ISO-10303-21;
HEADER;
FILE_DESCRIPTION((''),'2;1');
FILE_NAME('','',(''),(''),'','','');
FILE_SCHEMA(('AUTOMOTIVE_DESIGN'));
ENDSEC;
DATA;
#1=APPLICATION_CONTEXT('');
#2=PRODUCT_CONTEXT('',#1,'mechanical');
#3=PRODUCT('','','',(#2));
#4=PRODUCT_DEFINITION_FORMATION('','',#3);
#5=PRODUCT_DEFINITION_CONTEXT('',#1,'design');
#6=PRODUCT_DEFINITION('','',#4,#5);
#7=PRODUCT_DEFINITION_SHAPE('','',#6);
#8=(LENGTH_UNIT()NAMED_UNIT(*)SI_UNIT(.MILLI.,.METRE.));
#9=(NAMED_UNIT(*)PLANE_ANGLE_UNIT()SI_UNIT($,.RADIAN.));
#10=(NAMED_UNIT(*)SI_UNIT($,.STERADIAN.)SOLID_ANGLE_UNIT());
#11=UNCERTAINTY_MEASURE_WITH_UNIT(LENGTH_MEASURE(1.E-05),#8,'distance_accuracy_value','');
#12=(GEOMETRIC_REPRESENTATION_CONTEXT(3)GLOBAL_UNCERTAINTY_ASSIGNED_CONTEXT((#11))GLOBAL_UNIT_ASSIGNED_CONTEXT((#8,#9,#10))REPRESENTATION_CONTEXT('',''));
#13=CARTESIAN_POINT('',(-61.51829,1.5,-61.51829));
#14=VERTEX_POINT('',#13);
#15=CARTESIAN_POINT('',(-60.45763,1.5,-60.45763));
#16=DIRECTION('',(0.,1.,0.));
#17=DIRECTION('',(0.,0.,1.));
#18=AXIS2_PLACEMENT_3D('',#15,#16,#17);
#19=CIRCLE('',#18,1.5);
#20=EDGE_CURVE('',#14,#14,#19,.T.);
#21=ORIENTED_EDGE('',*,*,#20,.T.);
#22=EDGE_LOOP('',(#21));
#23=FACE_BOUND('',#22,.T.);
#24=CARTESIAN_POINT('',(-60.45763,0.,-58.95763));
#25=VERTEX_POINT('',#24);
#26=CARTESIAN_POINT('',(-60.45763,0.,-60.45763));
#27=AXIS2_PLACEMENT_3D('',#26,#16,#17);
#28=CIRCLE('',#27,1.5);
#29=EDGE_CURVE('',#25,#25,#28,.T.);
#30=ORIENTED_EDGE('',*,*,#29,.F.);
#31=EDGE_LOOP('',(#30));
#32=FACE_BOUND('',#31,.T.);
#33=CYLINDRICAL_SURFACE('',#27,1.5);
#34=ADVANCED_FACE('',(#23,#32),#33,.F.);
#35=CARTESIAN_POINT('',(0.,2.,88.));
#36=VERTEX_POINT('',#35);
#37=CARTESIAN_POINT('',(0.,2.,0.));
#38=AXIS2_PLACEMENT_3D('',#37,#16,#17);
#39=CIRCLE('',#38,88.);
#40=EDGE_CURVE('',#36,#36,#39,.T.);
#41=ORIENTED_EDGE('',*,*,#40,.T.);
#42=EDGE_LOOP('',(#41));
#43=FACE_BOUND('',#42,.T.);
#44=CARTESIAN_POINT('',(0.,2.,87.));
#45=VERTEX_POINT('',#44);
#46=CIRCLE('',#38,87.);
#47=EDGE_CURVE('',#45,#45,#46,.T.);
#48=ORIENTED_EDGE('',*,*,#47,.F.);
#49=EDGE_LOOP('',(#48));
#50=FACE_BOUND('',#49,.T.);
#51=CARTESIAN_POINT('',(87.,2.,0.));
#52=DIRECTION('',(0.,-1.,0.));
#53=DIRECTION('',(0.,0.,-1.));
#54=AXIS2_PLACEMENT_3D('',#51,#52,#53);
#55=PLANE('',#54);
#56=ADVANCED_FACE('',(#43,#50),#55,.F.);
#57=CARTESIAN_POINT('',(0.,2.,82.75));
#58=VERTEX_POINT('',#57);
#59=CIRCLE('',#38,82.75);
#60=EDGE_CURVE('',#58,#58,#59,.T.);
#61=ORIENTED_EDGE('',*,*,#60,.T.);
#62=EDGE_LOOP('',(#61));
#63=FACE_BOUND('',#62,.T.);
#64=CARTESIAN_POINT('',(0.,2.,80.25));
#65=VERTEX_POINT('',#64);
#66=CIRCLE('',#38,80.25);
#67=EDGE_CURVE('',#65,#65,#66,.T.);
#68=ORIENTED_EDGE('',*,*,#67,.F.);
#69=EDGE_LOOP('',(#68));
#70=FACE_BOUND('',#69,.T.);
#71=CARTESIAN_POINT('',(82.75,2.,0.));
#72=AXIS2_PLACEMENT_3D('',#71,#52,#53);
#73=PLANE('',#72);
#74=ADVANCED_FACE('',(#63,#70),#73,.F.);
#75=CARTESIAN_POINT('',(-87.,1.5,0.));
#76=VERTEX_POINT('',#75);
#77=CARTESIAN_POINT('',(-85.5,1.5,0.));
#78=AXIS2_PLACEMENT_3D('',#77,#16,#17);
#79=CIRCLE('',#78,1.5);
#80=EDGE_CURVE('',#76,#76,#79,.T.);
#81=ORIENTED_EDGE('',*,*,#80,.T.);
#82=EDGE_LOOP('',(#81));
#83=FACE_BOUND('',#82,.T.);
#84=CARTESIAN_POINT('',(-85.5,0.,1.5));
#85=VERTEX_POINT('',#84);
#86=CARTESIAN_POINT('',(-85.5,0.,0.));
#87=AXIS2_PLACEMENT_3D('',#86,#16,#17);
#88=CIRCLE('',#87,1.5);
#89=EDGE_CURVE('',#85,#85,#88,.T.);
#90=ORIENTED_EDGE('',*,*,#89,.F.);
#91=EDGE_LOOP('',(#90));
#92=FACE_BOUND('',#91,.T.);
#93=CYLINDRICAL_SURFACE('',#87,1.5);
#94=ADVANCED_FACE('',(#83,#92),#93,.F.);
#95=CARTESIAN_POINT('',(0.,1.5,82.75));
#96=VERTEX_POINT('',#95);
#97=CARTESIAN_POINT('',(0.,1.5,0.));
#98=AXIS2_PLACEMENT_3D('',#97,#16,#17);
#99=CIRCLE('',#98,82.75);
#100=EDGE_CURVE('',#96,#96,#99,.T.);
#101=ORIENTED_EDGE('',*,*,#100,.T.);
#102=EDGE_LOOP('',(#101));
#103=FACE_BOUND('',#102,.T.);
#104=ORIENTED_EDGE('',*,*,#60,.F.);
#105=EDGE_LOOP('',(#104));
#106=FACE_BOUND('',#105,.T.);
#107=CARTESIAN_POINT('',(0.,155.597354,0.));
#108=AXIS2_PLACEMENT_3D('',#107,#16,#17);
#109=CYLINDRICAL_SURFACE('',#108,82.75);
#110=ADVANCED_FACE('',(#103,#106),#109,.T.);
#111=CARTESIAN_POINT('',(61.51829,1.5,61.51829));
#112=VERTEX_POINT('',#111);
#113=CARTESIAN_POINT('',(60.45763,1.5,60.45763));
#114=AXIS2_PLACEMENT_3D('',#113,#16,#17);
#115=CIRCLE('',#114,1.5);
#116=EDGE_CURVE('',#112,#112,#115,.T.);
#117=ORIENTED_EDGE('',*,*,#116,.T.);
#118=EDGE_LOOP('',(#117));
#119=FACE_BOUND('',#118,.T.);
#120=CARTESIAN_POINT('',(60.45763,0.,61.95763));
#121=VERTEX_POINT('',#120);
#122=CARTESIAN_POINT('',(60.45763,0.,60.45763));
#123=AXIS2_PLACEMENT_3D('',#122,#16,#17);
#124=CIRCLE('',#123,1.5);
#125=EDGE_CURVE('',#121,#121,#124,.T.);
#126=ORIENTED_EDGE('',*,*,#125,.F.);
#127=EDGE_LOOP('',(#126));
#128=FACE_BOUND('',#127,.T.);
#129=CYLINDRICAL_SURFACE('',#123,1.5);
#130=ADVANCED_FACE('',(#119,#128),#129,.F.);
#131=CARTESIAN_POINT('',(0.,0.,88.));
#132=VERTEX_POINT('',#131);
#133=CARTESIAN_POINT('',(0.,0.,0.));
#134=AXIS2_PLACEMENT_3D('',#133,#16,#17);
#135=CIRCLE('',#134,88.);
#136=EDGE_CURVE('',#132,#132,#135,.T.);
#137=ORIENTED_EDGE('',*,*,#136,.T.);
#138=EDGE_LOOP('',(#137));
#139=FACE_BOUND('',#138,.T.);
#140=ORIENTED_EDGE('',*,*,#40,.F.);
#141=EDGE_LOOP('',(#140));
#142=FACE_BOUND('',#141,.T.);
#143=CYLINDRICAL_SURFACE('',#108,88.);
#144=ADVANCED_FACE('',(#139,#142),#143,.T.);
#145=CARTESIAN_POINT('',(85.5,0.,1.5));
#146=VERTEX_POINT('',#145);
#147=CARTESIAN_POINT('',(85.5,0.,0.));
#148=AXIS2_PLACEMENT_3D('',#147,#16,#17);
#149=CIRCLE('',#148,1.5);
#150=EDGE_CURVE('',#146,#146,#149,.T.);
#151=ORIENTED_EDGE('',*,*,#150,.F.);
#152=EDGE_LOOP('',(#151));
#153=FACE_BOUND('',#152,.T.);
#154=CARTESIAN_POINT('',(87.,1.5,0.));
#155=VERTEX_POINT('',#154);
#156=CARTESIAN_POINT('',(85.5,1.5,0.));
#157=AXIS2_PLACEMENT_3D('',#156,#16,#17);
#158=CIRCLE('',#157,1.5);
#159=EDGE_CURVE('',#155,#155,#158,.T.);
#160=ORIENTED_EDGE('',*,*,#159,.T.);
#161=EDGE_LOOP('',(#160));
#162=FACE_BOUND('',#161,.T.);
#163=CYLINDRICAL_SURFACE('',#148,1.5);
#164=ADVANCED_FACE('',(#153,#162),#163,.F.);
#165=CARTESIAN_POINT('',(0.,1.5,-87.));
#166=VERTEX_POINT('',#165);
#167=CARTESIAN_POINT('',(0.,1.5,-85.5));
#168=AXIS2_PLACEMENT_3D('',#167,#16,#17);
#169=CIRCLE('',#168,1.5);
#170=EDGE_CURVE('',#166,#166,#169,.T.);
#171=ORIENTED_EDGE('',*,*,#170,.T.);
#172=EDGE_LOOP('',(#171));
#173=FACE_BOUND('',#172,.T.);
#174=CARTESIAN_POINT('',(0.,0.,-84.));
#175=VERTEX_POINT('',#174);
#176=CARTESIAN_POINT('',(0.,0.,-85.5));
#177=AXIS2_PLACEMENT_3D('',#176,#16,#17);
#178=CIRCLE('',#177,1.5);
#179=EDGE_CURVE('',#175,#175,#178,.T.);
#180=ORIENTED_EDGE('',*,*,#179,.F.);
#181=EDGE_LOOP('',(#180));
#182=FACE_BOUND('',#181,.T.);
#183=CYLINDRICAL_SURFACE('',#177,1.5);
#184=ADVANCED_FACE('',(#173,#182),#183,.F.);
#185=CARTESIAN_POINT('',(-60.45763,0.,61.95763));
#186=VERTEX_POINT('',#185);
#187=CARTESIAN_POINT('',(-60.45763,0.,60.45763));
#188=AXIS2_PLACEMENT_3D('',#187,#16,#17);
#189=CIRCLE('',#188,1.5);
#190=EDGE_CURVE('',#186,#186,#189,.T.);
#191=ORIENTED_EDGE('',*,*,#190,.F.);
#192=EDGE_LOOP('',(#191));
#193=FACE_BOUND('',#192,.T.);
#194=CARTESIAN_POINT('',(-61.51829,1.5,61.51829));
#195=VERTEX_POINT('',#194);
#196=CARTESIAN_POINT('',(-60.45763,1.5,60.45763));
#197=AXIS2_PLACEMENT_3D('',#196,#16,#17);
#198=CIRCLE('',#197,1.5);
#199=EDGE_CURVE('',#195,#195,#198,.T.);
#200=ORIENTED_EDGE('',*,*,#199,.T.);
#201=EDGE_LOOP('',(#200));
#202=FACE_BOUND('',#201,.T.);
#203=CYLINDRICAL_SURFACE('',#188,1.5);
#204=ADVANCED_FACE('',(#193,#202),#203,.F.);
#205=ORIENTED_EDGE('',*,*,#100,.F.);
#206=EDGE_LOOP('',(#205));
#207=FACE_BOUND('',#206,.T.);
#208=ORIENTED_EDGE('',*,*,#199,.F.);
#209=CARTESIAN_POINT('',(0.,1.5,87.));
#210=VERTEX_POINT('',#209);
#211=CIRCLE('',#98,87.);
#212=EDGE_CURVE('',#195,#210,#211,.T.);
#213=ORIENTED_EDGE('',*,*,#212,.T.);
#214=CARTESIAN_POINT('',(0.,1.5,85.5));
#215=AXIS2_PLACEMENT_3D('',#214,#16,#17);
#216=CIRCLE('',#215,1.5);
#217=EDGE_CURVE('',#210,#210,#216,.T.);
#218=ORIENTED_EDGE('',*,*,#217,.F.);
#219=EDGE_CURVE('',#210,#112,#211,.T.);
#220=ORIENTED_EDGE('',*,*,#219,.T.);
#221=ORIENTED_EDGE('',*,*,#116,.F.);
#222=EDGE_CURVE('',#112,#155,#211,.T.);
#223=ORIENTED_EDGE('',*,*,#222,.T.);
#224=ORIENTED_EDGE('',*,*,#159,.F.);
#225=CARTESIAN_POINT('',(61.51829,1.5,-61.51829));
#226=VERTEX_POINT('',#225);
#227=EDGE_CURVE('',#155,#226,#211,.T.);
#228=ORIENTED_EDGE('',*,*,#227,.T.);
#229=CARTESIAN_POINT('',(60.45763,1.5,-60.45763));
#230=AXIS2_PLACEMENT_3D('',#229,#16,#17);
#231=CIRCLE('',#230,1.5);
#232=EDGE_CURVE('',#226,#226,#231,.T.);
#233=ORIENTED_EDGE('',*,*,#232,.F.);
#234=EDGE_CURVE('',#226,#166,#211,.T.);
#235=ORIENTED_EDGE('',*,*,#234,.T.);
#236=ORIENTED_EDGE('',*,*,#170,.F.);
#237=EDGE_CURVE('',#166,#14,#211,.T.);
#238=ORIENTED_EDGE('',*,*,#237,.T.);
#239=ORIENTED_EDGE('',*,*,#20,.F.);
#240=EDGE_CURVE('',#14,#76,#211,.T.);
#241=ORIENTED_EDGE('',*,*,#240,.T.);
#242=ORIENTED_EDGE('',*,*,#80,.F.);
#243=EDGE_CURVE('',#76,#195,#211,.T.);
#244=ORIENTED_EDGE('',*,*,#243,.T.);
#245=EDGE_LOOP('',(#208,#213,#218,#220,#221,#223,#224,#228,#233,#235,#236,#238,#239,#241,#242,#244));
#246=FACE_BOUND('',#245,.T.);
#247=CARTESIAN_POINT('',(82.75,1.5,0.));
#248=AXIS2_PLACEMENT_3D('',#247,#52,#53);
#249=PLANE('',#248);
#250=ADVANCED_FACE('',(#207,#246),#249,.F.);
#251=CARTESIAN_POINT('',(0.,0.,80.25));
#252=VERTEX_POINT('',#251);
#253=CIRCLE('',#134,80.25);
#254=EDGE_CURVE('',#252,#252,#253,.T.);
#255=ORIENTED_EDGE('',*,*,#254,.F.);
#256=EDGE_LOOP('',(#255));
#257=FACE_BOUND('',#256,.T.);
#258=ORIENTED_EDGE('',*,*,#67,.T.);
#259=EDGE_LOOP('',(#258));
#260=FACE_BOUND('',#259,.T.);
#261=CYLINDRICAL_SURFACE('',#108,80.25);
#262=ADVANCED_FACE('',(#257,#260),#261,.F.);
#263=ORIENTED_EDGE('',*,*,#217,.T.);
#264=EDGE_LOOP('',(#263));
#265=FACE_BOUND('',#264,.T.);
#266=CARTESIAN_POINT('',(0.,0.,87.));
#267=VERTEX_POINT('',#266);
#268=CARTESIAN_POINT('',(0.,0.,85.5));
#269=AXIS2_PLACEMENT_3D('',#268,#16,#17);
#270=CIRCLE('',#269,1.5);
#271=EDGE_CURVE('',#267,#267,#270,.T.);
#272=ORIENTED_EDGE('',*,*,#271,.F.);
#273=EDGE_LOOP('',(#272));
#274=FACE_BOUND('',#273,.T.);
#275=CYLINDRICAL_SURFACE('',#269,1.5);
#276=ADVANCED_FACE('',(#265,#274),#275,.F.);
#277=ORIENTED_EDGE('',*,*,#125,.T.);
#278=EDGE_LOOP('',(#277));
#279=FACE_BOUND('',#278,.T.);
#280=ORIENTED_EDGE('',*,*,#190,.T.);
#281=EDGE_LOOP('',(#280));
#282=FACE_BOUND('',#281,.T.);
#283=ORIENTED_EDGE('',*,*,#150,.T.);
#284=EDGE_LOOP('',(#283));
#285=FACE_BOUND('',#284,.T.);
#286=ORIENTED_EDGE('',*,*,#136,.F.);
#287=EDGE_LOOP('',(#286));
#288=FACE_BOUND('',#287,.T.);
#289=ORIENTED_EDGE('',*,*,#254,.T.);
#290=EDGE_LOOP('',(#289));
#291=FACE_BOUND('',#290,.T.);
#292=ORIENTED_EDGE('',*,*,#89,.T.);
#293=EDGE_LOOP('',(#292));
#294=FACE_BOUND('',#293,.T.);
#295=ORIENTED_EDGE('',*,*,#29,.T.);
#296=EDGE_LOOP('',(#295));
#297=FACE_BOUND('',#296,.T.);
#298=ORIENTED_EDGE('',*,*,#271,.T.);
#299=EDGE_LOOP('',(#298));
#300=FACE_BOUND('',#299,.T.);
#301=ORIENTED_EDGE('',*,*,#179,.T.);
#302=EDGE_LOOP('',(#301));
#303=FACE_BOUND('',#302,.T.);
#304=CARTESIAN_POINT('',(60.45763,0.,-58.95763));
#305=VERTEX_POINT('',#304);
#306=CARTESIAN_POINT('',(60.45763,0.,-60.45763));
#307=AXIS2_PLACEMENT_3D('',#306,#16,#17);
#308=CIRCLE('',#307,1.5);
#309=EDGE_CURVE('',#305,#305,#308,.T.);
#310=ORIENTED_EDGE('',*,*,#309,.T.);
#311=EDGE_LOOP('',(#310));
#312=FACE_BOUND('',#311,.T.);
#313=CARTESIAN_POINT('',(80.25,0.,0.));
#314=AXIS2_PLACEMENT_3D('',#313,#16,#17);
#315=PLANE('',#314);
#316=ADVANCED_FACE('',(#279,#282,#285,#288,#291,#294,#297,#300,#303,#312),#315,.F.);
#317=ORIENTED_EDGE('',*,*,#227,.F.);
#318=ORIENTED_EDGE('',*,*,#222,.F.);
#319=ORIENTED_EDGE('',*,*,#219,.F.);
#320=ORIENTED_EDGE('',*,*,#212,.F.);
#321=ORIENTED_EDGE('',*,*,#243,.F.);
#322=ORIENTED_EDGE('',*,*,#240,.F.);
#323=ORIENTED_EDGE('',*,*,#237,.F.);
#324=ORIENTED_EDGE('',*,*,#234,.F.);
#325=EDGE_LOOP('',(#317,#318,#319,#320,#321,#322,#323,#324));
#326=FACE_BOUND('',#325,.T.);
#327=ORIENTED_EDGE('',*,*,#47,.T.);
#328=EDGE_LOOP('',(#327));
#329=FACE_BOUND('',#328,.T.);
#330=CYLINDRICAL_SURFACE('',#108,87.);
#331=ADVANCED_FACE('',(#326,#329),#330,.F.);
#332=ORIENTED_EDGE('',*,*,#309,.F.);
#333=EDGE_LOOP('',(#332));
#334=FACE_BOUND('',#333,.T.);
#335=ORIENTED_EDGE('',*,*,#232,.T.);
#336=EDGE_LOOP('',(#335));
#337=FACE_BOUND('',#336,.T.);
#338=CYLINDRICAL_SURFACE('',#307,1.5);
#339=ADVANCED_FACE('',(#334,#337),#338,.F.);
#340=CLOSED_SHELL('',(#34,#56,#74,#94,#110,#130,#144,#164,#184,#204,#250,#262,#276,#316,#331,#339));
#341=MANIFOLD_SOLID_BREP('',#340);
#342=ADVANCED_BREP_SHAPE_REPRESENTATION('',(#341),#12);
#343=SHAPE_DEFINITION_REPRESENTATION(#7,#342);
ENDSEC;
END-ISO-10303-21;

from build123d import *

# Parameters (mm, degrees)
SKETCH_2_R          = 1.5
CUT_EXTRUDE_1_DEPTH = 125.459832878


with BuildPart() as part:
    # 草图1 → 旋转1 (revolve)
    with BuildSketch(Plane.XY, mode=Mode.PRIVATE) as revolve_1_sk:
        Polygon((80.25, 0), (88, 0), (88, 2), (87, 2), (87, 1.5), (82.75, 1.5), (82.75, 2), (80.25, 2), align=None)
    revolve(revolve_1_sk.sketch.rotate(Axis((0, 155.597353718, 0), (0, -1, 0)), 90), axis=Axis((0, 155.597353718, 0), (0, -1, 0)))

    # 草图2 → 切除-拉伸1 (cut, through all)
    with BuildSketch(Plane(origin=(0, 1.5, 0), x_dir=(1, 0, 0), z_dir=(0, 1, 0))):
        with Locations(Location((0, 85.5, 0), (0, 0, 270))):
            Circle(SKETCH_2_R)
        with Locations(Location((60.457629791, 60.457629791, 0), (0, 0, 270))):
            Circle(SKETCH_2_R)
        with Locations(Location((85.5, 0, 0), (0, 0, 270))):
            Circle(SKETCH_2_R)
        with Locations(Location((60.457629791, -60.457629791, 0), (0, 0, 270))):
            Circle(SKETCH_2_R)
        with Locations(Location((0, -85.5, 0), (0, 0, 270))):
            Circle(SKETCH_2_R)
        with Locations(Location((-60.457629791, -60.457629791, 0), (0, 0, 270))):
            Circle(SKETCH_2_R)
        with Locations(Location((-85.5, 0, 0), (0, 0, 270))):
            Circle(SKETCH_2_R)
        with Locations(Location((-60.457629791, 60.457629791, 0), (0, 0, 270))):
            Circle(SKETCH_2_R)
    extrude(amount=-CUT_EXTRUDE_1_DEPTH, mode=Mode.SUBTRACT)


solid = part.part
